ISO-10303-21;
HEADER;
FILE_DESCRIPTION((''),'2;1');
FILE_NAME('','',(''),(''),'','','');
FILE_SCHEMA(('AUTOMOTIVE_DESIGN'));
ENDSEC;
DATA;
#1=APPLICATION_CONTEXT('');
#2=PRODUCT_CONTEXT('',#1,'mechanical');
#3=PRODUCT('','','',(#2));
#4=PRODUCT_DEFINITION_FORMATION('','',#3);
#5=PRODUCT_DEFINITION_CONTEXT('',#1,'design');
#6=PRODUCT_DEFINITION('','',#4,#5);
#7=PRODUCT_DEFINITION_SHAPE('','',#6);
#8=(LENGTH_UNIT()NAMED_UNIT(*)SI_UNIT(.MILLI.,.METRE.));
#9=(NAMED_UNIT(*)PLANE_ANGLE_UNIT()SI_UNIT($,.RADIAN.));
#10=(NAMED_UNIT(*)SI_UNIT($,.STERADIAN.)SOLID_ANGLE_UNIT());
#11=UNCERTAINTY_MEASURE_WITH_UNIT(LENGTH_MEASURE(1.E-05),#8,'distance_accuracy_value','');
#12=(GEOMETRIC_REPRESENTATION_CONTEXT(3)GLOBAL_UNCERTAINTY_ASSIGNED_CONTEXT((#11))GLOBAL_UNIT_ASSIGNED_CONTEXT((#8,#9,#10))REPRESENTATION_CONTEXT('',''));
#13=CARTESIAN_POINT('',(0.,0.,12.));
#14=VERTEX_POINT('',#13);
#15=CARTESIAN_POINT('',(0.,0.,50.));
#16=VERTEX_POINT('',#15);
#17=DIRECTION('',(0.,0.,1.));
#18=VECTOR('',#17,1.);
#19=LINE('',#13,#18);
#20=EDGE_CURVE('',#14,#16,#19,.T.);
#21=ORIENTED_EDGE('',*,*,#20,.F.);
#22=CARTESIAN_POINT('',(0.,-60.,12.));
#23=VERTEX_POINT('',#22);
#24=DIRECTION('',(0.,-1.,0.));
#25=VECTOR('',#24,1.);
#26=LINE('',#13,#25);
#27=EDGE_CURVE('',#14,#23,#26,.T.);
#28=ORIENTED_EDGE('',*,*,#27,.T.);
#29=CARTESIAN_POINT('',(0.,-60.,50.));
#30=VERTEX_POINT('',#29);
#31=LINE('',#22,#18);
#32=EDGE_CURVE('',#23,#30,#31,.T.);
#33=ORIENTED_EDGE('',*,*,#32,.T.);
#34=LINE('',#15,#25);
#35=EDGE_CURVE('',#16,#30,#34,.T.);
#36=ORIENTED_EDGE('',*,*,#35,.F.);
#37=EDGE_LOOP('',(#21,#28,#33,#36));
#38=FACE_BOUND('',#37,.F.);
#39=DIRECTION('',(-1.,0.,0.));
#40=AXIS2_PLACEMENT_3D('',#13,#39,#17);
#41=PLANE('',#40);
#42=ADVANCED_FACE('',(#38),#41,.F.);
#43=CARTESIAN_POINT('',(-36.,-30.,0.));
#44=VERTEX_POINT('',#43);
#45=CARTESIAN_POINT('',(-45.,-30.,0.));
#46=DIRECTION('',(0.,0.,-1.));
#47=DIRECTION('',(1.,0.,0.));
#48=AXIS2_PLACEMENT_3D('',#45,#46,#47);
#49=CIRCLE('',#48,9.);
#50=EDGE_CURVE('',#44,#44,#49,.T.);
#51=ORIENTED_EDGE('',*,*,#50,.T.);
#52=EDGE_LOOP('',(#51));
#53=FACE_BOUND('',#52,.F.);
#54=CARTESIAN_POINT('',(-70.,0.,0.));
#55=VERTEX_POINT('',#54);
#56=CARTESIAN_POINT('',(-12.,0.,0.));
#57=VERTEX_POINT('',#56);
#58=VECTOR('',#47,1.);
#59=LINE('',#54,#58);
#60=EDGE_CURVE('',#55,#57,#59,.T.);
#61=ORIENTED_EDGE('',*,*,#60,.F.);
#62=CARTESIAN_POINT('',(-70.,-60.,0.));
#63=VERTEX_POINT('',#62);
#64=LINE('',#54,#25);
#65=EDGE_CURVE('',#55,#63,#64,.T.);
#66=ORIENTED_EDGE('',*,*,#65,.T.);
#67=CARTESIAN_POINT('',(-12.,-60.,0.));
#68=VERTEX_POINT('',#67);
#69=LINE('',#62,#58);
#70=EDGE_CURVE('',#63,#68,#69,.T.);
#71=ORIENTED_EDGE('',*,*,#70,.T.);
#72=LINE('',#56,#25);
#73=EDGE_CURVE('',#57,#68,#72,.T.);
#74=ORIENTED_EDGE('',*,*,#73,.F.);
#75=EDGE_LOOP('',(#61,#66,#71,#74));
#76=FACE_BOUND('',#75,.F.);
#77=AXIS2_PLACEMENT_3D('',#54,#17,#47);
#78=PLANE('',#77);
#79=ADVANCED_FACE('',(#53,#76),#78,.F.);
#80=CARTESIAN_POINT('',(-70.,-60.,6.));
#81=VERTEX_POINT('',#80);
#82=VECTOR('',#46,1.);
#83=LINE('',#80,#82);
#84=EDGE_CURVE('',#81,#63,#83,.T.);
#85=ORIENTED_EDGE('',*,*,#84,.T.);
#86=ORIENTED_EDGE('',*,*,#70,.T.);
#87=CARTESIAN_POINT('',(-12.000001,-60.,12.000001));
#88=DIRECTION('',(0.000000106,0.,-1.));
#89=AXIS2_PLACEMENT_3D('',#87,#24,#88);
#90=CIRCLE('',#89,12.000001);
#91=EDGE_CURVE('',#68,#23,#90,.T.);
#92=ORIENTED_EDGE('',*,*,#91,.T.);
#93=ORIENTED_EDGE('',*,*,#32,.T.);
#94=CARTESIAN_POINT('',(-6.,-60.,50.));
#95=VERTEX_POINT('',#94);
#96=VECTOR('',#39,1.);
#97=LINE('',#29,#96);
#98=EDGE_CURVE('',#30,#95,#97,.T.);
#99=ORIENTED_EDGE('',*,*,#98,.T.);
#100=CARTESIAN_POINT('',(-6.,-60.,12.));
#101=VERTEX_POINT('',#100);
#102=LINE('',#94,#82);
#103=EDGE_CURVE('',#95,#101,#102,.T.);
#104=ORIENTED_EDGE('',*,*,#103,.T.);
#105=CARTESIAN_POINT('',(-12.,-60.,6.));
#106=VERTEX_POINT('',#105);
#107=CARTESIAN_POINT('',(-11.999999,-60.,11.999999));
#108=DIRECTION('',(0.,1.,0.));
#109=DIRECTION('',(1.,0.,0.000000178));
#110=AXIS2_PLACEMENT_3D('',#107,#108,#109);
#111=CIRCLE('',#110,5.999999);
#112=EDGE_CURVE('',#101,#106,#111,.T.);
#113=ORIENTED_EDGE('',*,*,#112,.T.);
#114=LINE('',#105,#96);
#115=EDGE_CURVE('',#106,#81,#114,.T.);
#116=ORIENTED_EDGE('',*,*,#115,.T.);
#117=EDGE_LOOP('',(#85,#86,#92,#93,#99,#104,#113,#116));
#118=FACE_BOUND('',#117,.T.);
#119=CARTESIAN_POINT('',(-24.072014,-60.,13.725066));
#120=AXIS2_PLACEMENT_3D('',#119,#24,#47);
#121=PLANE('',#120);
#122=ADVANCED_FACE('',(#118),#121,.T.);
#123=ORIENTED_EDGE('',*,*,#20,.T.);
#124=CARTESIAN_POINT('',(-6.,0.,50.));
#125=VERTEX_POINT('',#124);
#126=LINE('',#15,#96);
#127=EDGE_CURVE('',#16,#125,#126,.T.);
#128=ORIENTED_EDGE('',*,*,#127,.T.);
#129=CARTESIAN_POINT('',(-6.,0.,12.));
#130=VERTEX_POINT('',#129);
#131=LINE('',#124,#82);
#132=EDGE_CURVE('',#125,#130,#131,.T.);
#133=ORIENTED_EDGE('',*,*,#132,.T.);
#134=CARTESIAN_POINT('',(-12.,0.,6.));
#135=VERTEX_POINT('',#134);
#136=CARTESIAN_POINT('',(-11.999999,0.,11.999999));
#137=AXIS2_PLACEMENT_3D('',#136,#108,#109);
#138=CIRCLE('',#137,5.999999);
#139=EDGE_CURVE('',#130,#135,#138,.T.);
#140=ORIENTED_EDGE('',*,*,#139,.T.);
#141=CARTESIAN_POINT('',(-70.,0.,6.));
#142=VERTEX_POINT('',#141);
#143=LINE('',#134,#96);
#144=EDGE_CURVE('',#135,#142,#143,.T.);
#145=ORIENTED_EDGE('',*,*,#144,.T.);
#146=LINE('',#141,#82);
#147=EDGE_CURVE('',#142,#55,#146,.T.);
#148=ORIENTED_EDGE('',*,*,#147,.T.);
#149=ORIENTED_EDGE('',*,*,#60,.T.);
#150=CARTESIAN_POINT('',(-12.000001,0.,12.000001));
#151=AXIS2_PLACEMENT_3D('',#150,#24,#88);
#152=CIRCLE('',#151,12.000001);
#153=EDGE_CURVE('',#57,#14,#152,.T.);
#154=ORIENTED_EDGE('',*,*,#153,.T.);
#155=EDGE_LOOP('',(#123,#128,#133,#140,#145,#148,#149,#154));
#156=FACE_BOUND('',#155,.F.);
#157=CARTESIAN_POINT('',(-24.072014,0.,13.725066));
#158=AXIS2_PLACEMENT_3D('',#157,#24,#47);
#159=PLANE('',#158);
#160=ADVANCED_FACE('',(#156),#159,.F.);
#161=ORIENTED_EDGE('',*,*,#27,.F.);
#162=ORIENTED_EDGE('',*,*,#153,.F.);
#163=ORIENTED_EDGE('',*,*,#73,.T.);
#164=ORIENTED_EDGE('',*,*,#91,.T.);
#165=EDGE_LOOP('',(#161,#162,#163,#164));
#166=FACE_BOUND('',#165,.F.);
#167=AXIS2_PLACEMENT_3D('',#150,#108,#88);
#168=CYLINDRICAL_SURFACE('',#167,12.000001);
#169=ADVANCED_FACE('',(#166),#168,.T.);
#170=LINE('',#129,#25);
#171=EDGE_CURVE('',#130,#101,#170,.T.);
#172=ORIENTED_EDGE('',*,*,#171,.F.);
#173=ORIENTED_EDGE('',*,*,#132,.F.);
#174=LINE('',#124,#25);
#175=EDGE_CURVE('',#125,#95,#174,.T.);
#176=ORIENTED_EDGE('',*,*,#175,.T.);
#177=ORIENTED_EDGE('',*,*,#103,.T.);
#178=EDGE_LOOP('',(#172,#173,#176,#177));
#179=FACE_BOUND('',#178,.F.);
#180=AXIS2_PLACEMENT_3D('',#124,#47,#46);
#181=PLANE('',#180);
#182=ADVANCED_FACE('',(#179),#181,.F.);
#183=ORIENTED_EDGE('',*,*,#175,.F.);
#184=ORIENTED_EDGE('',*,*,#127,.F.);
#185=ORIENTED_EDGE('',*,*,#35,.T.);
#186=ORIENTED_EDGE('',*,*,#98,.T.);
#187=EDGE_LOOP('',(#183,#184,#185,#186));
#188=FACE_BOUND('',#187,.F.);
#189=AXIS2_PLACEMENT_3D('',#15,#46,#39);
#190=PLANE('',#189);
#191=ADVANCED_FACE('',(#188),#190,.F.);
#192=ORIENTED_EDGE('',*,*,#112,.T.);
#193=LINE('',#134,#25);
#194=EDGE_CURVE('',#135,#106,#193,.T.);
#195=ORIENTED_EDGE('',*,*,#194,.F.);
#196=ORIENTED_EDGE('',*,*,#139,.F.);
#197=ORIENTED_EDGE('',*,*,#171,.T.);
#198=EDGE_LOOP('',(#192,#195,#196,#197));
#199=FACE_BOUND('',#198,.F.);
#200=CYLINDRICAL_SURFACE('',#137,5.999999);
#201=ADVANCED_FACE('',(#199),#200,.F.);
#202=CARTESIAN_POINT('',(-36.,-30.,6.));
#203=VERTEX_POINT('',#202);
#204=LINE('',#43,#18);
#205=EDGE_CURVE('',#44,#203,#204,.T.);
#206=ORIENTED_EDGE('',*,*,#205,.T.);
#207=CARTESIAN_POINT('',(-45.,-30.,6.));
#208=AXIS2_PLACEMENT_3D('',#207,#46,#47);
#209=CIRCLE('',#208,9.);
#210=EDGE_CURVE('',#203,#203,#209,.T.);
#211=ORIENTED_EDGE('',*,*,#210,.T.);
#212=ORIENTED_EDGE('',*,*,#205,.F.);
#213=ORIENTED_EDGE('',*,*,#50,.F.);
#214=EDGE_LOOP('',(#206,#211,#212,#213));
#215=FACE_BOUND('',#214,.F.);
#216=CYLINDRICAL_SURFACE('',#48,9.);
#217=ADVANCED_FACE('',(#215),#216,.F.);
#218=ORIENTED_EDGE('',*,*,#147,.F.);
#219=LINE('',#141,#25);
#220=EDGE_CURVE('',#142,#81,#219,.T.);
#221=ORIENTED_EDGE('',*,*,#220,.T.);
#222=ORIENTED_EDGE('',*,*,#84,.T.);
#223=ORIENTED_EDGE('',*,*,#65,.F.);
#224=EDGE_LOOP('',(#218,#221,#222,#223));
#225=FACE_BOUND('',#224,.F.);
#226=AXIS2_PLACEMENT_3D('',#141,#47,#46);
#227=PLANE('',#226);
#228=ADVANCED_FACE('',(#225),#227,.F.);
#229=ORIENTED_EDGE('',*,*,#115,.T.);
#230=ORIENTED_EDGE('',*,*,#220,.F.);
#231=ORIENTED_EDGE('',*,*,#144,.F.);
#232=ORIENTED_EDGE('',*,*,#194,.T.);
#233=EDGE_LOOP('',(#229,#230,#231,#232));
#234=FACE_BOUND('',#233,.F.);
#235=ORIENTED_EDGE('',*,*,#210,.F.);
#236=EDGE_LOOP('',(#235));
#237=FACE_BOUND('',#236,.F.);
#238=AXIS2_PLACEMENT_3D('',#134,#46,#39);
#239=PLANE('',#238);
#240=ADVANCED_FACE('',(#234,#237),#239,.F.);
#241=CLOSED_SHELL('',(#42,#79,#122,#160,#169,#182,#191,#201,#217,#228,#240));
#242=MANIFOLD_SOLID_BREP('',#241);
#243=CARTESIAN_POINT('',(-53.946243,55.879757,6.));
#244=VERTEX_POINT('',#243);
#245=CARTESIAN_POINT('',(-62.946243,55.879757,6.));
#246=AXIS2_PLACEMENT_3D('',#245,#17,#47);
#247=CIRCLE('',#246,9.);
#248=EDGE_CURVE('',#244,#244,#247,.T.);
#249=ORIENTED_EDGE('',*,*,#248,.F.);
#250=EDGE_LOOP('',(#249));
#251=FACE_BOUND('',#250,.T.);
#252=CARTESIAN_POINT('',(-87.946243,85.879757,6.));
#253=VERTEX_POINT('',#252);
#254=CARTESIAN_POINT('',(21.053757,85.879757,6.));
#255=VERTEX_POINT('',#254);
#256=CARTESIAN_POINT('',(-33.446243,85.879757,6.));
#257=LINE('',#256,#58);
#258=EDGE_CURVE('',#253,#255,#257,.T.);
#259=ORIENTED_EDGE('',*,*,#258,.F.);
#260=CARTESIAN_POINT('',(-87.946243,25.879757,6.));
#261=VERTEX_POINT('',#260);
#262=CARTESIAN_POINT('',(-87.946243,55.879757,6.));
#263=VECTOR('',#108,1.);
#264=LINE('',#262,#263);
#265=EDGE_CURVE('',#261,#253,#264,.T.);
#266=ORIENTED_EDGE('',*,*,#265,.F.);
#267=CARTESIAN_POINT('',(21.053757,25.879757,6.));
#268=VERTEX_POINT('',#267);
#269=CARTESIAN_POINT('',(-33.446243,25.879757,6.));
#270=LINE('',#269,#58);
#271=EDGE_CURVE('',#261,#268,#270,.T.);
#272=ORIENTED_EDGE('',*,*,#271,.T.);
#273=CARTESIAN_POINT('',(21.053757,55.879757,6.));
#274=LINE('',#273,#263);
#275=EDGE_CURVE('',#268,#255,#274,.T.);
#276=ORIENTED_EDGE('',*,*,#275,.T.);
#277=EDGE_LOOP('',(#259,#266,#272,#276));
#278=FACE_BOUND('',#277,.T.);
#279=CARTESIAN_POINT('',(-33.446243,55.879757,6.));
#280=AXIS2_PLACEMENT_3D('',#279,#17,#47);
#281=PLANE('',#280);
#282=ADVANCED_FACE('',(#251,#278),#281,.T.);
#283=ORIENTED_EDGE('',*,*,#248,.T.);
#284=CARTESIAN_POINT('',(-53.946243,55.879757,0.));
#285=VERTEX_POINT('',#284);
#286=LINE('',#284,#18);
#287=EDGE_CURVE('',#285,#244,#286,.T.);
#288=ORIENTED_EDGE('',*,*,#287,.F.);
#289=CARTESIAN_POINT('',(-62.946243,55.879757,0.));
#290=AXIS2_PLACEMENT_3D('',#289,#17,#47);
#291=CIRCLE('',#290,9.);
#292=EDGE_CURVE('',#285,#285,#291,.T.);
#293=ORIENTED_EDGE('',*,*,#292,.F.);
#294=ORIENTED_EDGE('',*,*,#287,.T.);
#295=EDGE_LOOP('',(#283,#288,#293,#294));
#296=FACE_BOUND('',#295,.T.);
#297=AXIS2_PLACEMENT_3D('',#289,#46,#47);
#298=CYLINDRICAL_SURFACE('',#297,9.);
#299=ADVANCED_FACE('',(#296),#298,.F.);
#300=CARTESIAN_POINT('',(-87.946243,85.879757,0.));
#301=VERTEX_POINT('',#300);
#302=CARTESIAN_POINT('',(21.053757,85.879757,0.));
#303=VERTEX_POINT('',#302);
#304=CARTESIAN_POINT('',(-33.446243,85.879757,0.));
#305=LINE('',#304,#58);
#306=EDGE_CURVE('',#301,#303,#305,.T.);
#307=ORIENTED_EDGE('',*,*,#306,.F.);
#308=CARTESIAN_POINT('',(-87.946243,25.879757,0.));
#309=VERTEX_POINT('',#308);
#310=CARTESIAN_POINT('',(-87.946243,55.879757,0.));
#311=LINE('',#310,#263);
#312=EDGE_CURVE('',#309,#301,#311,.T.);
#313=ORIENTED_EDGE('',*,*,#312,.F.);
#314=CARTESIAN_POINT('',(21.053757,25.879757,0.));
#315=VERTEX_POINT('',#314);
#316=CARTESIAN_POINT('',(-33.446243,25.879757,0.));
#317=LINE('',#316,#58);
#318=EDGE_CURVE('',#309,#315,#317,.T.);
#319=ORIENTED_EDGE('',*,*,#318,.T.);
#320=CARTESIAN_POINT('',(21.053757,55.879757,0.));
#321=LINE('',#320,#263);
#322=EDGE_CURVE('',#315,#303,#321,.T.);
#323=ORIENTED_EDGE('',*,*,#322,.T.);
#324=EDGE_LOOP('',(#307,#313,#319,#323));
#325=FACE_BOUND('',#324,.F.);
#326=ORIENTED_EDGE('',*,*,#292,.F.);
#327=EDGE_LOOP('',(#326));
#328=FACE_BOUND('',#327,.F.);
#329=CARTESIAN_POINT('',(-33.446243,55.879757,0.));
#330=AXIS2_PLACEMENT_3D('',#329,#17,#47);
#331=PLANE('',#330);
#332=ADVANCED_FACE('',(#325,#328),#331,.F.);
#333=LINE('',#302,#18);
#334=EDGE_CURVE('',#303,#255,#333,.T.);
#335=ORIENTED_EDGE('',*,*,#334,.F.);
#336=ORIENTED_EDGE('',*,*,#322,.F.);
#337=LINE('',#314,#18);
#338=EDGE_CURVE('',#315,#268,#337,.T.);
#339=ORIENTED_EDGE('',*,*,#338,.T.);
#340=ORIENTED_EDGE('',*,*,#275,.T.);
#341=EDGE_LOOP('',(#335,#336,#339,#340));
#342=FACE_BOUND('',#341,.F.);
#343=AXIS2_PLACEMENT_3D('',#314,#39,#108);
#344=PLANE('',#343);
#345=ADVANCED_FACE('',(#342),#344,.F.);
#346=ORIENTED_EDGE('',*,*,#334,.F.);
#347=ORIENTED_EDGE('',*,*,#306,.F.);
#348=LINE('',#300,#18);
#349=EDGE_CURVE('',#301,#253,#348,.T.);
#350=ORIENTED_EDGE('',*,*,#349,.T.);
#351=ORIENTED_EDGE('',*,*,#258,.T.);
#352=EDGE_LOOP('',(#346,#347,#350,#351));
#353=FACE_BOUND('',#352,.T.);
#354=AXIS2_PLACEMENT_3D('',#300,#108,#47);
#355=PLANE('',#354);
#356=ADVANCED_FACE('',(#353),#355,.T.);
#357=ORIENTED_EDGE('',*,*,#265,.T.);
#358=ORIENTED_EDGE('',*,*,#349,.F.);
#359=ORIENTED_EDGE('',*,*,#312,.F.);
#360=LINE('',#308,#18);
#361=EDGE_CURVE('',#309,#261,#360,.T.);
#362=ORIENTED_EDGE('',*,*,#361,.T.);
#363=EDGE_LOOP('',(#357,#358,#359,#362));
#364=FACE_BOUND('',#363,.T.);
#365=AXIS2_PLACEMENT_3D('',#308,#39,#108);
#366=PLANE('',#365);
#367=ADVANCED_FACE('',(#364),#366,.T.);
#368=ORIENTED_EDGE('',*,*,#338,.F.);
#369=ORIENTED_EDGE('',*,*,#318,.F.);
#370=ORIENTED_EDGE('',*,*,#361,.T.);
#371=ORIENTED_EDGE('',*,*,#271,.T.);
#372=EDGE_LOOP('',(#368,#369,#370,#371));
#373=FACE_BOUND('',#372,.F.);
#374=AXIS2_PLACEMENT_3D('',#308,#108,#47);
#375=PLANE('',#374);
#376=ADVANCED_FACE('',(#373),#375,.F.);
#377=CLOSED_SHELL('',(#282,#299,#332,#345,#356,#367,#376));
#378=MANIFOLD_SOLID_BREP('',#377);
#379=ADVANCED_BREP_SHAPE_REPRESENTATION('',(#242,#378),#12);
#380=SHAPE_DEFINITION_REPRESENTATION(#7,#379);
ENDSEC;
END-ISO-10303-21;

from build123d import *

# Parameters (mm, degrees)
F1_DEPTH = 60
F2_R     = 9
F3_DEPTH = 25
F4_W     = 109
F4_H     = 60
F4_R     = 9
F5_DEPTH = 6


with BuildPart() as f1:
    # F0 (on Front) → F1 (new body)
    with BuildSketch(Plane.XZ):
        with BuildLine():
            Line((-70, 6), (-70, 0))
            Line((-70, 0), (-12, 0))
            ThreePointArc((-12, 0), (-3.514719, 3.514719), (0, 12))
            Line((0, 12), (0, 50))
            Line((0, 50), (-6, 50))
            Line((-6, 50), (-6, 12))
            ThreePointArc((-6, 12), (-7.757359, 7.757359), (-12, 6))
            Line((-12, 6), (-70, 6))
        make_face()
    extrude(amount=F1_DEPTH)

    # F2 (on face) → F3 (cut)
    with BuildSketch(Plane(origin=(0, 0, 0), x_dir=(1, 0, 0), z_dir=(0, 0, -1))):
        with Locations((-45, 30)):
            Circle(F2_R)
    extrude(amount=-F3_DEPTH, mode=Mode.SUBTRACT)


with BuildPart() as f5:
    # F4 (on Top) → F5 (new body)
    with BuildSketch(Plane.XY):
        with Locations((-33.446243, 55.879757)):
            Rectangle(F4_W, F4_H)
        with Locations((-62.946243, 55.879757)):
            Circle(F4_R, mode=Mode.SUBTRACT)
    extrude(amount=F5_DEPTH)


solid = Compound([f1.part, f5.part])
